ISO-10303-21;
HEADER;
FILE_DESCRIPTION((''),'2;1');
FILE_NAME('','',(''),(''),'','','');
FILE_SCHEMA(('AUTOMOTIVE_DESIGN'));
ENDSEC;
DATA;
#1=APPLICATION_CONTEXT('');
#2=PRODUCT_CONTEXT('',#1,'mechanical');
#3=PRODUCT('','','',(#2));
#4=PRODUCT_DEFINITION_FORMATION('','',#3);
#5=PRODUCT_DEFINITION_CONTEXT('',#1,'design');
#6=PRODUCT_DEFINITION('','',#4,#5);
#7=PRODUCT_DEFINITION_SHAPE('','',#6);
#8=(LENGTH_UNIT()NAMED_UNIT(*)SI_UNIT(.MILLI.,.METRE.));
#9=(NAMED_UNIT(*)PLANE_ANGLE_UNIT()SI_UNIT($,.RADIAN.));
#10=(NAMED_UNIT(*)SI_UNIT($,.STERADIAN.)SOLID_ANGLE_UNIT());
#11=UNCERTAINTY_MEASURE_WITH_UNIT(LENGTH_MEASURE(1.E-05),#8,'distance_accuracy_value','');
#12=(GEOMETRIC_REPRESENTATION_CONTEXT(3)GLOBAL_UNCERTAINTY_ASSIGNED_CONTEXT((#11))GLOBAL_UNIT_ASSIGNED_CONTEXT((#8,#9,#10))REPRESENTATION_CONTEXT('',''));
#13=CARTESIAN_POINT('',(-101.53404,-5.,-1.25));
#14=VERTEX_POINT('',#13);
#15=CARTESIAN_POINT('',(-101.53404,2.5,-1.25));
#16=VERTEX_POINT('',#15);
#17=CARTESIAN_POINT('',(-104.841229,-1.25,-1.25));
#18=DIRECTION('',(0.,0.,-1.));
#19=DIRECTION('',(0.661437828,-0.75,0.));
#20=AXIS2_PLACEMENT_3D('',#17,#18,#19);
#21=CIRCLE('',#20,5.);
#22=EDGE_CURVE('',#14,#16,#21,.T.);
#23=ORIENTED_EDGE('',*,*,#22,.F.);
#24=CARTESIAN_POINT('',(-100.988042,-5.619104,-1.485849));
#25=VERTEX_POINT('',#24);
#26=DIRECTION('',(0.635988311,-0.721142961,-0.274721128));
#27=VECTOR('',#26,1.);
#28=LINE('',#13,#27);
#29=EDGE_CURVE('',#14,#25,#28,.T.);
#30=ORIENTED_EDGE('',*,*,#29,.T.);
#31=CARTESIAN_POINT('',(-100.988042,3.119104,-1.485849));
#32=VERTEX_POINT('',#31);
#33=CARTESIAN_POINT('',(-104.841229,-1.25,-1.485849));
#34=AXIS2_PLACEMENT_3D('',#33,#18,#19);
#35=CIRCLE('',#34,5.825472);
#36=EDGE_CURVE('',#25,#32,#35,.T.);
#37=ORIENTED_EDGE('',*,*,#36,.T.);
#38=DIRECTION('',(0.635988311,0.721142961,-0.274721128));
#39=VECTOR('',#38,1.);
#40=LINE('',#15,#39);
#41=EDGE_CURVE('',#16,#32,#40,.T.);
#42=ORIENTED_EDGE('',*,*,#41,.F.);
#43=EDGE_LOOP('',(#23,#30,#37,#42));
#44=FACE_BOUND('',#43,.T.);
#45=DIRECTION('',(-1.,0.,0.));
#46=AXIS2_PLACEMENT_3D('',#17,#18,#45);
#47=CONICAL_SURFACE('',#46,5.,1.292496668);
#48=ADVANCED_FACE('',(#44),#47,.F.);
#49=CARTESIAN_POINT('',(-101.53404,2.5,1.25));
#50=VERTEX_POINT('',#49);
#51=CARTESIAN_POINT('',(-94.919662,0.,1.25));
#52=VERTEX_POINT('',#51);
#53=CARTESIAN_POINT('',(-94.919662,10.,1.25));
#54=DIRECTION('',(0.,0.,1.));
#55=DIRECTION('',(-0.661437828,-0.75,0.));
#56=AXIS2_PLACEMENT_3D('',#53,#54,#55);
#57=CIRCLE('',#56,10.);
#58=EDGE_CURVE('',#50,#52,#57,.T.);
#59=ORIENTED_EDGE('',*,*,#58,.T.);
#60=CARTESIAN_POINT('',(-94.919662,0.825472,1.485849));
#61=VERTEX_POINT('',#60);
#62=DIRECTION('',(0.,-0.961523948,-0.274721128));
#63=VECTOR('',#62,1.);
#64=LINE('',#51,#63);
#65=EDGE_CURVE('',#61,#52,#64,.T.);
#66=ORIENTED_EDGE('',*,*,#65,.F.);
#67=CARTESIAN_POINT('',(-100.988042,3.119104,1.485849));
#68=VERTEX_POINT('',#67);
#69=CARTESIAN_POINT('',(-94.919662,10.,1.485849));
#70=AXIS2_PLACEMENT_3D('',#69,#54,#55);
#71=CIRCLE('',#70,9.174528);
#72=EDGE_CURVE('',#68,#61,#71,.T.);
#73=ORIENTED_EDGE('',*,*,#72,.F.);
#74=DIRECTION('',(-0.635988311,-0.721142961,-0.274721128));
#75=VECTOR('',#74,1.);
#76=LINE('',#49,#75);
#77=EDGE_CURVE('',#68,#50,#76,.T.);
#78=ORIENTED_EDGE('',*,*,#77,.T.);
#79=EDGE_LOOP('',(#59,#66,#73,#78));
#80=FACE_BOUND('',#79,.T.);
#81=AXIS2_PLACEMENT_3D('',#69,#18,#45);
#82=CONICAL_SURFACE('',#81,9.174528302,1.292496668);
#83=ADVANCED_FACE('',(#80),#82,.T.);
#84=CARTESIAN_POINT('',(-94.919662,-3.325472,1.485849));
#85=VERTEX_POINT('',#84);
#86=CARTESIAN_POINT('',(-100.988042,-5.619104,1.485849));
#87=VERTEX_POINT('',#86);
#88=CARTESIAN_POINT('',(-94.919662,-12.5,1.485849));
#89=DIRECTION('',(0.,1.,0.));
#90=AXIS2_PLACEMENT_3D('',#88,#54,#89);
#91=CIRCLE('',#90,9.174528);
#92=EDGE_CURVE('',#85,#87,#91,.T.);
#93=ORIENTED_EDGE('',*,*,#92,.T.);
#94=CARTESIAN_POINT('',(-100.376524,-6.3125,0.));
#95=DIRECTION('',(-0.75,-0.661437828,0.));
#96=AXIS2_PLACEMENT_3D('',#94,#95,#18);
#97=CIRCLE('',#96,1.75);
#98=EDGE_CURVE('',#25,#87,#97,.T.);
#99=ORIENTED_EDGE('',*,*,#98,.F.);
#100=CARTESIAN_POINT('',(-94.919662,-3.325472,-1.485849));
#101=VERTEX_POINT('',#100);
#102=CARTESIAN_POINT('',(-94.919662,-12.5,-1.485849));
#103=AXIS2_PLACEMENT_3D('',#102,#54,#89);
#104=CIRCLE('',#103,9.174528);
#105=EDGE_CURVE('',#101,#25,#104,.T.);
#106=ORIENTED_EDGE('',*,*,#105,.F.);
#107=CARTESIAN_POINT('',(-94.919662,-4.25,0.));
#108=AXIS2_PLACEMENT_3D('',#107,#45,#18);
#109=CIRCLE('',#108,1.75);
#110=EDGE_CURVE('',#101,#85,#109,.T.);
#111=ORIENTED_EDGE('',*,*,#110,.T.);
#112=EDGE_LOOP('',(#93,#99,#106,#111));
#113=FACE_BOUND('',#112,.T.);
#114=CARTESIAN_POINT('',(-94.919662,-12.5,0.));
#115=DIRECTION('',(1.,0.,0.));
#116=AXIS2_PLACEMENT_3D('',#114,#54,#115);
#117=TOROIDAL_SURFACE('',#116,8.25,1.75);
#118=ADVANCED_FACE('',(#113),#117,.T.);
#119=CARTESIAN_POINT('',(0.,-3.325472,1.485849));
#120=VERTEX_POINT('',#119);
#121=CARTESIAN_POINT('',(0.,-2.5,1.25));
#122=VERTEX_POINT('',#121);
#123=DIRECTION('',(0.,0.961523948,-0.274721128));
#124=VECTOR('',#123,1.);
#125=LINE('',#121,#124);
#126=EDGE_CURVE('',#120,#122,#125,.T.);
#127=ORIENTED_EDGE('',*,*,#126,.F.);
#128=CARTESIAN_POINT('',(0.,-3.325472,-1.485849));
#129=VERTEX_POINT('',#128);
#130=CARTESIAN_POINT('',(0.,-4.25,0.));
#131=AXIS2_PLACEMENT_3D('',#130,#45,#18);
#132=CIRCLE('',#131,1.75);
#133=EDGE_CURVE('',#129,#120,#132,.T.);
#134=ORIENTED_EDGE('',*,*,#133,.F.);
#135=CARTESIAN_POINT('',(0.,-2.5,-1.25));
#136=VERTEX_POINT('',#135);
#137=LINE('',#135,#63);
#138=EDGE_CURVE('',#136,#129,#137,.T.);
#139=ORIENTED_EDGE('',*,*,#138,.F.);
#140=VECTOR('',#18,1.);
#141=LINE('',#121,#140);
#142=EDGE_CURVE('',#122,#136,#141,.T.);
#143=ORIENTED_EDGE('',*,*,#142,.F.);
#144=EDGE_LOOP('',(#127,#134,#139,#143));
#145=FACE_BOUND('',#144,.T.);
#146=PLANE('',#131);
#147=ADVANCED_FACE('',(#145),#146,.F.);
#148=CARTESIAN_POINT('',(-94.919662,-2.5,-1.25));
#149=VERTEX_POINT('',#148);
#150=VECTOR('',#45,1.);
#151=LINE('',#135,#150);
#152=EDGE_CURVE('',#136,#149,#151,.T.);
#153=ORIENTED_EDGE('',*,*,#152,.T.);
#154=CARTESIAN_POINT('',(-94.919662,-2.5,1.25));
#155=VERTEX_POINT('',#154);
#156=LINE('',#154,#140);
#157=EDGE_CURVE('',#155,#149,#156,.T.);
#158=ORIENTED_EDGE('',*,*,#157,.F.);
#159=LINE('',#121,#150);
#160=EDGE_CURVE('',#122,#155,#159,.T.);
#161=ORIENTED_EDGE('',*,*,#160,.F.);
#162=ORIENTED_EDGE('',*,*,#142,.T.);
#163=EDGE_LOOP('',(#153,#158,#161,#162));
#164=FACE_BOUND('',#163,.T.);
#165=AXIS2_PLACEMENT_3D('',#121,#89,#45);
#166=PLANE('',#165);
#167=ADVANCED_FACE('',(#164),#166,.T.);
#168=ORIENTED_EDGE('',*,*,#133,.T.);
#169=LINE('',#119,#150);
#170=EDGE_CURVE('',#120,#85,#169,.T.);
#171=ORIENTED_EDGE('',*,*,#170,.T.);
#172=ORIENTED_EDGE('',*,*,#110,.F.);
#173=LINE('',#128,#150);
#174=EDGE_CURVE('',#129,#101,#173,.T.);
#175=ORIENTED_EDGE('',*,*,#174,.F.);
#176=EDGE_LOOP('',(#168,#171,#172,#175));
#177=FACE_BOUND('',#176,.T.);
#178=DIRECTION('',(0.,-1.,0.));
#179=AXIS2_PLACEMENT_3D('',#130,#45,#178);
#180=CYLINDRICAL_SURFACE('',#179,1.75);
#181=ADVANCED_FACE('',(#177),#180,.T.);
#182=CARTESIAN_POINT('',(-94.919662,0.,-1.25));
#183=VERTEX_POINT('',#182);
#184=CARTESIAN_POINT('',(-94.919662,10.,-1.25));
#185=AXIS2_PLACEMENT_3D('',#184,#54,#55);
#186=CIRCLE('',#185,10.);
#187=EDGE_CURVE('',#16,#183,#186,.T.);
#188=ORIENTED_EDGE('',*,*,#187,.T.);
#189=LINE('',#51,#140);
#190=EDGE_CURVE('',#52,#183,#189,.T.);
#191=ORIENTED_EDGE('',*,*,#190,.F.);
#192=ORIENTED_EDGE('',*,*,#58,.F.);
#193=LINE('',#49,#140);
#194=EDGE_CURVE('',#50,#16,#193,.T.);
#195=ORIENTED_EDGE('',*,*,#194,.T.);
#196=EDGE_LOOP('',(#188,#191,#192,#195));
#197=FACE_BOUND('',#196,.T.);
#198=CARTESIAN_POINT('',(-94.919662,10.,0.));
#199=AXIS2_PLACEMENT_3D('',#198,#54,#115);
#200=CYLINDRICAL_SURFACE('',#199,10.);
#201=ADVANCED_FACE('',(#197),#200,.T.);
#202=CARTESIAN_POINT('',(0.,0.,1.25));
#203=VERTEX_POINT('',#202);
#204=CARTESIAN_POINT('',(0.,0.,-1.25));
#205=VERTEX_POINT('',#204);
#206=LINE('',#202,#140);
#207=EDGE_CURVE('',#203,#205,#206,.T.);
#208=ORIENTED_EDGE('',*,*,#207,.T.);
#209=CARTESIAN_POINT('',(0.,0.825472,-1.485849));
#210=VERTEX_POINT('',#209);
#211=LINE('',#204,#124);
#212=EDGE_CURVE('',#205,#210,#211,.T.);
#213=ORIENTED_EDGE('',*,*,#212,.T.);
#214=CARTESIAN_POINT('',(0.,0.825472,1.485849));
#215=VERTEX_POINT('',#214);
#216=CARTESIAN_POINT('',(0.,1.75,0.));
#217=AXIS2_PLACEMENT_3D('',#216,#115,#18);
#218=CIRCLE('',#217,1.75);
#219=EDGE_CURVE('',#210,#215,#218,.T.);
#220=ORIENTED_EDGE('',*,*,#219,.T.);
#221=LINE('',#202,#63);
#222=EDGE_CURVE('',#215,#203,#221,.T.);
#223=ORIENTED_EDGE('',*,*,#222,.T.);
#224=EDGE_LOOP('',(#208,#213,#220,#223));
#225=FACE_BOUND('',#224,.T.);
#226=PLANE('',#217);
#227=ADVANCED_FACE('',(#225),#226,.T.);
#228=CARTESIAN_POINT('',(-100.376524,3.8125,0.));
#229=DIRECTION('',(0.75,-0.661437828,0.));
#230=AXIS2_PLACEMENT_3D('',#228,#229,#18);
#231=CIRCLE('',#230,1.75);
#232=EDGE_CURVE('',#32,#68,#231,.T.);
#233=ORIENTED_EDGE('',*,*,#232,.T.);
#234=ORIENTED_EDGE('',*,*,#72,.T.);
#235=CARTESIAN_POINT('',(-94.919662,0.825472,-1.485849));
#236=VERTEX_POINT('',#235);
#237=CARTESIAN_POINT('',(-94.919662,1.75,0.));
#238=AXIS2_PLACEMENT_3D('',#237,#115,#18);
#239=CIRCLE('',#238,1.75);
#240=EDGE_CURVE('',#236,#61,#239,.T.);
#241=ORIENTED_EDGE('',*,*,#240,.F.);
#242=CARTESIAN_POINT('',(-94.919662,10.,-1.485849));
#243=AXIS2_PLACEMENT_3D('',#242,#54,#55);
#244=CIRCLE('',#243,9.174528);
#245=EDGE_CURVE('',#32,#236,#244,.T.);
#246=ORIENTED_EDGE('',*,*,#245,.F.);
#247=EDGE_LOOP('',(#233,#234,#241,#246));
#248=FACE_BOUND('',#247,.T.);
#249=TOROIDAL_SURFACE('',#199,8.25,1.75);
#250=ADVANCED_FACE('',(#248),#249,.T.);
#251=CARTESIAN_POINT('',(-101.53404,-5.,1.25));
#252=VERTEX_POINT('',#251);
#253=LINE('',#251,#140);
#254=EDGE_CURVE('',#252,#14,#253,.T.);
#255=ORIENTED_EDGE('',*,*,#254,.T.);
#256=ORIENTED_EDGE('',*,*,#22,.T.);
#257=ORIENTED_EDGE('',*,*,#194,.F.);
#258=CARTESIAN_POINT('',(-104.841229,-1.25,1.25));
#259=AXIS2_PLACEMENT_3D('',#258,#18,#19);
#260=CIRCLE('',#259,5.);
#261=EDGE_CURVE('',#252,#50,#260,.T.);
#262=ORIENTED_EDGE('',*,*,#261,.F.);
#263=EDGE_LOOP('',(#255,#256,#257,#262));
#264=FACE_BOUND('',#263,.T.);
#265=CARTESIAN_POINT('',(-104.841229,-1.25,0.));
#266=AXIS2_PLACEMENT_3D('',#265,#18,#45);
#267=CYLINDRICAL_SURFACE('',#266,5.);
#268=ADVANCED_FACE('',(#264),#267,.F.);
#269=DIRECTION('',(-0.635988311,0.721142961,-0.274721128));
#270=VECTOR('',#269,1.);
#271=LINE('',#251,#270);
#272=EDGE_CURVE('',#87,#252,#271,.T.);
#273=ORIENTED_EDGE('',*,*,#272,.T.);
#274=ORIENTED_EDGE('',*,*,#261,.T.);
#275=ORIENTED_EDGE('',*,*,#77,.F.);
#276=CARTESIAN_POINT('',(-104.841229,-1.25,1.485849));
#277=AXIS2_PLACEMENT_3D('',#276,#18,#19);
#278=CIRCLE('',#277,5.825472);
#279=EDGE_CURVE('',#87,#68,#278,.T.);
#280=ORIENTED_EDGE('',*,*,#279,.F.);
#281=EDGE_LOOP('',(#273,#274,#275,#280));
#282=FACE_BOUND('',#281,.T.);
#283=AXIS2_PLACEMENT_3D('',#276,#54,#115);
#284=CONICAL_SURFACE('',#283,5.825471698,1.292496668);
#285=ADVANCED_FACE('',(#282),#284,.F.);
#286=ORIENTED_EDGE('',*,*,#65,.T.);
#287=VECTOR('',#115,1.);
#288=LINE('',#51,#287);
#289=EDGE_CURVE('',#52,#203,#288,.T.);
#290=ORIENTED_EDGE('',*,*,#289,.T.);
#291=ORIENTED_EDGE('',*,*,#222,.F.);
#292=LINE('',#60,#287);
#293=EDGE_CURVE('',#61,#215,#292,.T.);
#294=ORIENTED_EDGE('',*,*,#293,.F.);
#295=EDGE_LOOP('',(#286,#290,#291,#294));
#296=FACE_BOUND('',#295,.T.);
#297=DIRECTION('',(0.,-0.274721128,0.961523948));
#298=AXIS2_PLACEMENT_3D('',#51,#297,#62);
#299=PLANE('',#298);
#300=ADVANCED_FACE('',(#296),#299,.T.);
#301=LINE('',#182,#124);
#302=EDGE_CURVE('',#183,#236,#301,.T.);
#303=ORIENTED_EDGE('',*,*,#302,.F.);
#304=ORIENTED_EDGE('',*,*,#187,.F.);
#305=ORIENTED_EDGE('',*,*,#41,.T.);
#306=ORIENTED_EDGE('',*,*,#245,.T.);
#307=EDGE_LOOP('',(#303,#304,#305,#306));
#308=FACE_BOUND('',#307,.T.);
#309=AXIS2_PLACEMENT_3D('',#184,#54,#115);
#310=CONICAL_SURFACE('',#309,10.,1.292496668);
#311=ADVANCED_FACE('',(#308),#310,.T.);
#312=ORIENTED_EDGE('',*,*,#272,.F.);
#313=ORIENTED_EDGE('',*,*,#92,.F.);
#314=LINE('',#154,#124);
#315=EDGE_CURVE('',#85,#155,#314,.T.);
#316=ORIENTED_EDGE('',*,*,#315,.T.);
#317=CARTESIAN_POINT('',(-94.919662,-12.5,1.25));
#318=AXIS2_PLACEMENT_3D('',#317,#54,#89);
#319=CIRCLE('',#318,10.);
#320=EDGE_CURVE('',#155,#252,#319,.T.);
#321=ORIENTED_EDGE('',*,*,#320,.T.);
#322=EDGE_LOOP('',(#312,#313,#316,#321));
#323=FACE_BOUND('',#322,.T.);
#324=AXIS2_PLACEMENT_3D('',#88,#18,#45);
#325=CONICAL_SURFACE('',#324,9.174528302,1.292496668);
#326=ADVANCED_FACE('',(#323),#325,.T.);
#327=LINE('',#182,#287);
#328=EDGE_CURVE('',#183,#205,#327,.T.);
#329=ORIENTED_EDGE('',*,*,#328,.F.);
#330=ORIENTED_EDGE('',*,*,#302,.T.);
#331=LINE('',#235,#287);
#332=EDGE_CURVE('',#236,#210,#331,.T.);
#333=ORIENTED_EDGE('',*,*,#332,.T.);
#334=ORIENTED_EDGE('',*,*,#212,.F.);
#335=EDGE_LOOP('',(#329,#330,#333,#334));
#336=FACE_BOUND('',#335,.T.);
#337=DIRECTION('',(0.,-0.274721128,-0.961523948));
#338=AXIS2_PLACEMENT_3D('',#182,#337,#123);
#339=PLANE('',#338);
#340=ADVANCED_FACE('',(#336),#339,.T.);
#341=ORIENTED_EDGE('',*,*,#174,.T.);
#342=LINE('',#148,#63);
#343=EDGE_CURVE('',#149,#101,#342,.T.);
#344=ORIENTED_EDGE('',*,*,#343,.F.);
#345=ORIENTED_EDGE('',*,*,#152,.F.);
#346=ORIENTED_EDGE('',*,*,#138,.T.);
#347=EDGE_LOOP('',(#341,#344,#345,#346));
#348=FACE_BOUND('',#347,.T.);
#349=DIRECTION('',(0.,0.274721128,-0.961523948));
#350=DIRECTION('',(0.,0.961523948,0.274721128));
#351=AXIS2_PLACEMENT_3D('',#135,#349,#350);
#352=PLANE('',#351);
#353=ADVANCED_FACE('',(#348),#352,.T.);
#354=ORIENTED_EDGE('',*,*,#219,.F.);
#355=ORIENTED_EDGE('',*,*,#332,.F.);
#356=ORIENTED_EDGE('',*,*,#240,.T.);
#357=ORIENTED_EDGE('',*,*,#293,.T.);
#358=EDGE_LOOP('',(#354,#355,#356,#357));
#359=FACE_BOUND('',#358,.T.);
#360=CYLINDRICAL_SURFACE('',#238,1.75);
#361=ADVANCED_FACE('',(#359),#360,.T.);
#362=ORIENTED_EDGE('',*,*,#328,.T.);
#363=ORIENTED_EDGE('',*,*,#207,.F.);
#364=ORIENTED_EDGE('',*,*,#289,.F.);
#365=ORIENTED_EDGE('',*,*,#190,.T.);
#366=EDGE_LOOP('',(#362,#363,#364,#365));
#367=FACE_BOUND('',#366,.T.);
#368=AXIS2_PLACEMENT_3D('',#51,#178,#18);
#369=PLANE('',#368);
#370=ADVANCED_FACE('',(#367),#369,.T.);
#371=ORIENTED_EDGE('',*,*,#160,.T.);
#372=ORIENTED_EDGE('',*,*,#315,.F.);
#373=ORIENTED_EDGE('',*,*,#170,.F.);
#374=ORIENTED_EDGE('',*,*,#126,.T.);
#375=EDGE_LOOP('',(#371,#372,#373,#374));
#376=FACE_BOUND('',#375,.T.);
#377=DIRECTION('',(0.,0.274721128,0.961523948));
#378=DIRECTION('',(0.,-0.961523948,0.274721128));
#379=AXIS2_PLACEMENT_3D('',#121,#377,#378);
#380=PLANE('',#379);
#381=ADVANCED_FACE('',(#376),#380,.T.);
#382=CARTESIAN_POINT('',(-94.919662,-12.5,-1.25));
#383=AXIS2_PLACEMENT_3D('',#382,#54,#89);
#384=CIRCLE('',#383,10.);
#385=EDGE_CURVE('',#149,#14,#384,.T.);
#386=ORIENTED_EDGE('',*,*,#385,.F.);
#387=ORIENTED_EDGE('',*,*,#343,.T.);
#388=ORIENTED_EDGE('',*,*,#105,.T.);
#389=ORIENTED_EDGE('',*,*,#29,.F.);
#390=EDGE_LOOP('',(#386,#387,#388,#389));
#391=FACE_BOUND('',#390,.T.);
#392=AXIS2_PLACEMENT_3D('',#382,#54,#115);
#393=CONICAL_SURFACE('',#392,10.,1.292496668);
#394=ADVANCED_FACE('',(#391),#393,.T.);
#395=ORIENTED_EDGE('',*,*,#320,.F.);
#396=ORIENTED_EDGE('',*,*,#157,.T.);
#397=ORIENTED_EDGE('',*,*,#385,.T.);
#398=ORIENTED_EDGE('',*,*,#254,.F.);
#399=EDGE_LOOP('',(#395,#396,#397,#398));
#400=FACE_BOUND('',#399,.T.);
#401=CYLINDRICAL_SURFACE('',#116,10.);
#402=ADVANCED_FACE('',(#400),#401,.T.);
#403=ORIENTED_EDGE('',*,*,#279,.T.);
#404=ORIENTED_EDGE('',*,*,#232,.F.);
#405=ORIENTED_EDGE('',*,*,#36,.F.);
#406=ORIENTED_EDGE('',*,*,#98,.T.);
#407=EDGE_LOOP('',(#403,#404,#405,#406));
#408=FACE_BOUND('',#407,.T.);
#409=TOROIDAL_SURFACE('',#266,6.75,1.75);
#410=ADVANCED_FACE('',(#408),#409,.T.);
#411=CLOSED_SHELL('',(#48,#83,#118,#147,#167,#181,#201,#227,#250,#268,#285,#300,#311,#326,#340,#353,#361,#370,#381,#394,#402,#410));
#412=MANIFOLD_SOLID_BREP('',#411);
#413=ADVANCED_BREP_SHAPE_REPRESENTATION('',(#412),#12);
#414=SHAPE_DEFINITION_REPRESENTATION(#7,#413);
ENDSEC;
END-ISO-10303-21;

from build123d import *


with BuildPart() as part:
    # Sweep2: sweep along a path in Sketch1
    with BuildLine(Plane.XY) as sweep2_path:
        Line((0, 0), (-94.919661766, 0))
        ThreePointArc((-94.919661766, 0), (-98.455195672, 0.645856533), (-101.534040044, 2.5))
        ThreePointArc((-101.534040044, 2.5), (-109.841229183, -1.25), (-101.534040044, -5))
        ThreePointArc((-101.534040044, -5), (-98.455195672, -3.145856533), (-94.919661766, -2.5))
        Line((-94.919661766, -2.5), (0, -2.5))
    # Sketch2 → Sweep2 (sweep)
    with BuildSketch(Plane(origin=(0, 0, 0), x_dir=(0, 0, -1), z_dir=(1, 0, 0))):
        with BuildLine():
            Line((-1.25, 0), (1.25, 0))
            Line((1.25, 0), (1.485849057, 0.825471698))
            ThreePointArc((1.485849057, 0.825471698), (0, 3.5), (-1.485849057, 0.825471698))
            Line((-1.485849057, 0.825471698), (-1.25, 0))
        make_face()
    sweep(path=sweep2_path.line)


solid = part.part
